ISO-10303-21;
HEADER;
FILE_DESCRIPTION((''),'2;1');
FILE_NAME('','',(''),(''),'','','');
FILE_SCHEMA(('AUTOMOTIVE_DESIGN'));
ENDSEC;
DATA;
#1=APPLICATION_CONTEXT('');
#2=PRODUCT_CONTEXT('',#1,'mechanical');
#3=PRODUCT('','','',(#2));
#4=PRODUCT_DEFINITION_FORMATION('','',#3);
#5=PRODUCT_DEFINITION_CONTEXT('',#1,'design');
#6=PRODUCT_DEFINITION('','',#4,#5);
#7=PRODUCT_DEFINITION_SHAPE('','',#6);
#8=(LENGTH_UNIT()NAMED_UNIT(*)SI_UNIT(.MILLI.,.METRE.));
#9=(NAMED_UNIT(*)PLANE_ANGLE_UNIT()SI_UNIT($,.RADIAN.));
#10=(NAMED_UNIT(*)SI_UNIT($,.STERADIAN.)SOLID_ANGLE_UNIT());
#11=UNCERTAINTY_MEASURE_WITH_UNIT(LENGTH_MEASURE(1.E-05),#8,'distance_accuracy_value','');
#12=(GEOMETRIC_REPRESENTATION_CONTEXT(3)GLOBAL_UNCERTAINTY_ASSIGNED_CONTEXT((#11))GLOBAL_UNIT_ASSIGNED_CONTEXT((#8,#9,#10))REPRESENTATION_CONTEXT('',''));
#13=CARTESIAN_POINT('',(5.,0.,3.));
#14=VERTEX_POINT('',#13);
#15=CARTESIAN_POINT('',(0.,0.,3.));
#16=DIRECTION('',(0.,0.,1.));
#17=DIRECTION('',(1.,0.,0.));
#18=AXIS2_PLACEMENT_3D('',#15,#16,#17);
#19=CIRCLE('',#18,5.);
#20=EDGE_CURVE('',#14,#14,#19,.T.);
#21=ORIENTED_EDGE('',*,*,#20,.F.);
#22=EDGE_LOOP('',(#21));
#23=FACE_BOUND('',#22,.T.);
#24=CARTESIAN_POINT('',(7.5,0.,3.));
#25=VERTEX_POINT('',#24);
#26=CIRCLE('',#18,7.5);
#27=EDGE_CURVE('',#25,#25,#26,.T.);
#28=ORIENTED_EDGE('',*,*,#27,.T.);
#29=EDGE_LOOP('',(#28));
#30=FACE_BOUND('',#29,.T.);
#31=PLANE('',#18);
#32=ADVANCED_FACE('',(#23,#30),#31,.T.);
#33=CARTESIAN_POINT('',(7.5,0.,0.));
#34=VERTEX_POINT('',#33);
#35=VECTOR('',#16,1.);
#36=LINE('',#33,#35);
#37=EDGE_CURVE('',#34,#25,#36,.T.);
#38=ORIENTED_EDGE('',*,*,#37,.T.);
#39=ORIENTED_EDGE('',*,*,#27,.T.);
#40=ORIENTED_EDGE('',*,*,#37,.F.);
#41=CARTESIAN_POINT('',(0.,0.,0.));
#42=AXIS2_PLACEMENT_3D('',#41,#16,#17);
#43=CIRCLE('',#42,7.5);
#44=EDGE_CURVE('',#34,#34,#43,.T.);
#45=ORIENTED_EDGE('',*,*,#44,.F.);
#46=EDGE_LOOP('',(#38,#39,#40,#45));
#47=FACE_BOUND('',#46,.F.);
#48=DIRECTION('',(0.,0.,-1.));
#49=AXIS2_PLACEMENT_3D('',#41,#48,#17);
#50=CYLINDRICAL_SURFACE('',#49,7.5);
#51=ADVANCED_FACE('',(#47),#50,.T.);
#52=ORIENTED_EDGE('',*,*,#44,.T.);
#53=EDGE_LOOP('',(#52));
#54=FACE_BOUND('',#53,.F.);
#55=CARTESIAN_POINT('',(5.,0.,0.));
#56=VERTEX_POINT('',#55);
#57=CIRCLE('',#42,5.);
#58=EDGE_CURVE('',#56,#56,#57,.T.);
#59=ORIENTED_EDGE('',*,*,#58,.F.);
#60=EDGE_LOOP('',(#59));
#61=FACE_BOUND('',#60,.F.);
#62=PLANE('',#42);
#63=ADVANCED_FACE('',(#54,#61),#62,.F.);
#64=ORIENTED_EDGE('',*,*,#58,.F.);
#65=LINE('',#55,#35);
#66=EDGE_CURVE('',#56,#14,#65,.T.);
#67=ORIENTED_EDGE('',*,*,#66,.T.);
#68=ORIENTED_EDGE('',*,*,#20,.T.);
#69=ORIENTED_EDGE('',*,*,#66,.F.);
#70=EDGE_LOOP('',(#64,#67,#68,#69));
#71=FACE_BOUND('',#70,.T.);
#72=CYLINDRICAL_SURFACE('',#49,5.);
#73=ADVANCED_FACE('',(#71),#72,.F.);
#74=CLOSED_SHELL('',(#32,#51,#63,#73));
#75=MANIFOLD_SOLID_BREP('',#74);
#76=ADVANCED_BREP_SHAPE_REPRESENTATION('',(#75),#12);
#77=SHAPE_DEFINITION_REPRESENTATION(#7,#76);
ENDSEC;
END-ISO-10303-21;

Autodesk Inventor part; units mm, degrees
ref_plane "YZ Plane" through (0, 0, 0) normal (1, 0, 0) x (0, 1, 0)
ref_plane "XZ Plane" through (0, 0, 0) normal (0, 1, 0) x (-1, 0, 0)
ref_plane "XY Plane" through (0, 0, 0) normal (0, 0, 1) x (1, 0, 0)
sketch "スケッチ1" plane through (0, 0, 0) normal (0, 0, 1) x (1, 0, 0)
  circle A0 centre (0, 0) radius 5
  circle A1 centre (0, 0) radius 7.5
  dimension "d0" = 10
  dimension "d1" = 15
extrude "押し出し1" add sketch "スケッチ1" along normal blind 3
properties part number "SMT1510" material "鋼、炭素鋼"
